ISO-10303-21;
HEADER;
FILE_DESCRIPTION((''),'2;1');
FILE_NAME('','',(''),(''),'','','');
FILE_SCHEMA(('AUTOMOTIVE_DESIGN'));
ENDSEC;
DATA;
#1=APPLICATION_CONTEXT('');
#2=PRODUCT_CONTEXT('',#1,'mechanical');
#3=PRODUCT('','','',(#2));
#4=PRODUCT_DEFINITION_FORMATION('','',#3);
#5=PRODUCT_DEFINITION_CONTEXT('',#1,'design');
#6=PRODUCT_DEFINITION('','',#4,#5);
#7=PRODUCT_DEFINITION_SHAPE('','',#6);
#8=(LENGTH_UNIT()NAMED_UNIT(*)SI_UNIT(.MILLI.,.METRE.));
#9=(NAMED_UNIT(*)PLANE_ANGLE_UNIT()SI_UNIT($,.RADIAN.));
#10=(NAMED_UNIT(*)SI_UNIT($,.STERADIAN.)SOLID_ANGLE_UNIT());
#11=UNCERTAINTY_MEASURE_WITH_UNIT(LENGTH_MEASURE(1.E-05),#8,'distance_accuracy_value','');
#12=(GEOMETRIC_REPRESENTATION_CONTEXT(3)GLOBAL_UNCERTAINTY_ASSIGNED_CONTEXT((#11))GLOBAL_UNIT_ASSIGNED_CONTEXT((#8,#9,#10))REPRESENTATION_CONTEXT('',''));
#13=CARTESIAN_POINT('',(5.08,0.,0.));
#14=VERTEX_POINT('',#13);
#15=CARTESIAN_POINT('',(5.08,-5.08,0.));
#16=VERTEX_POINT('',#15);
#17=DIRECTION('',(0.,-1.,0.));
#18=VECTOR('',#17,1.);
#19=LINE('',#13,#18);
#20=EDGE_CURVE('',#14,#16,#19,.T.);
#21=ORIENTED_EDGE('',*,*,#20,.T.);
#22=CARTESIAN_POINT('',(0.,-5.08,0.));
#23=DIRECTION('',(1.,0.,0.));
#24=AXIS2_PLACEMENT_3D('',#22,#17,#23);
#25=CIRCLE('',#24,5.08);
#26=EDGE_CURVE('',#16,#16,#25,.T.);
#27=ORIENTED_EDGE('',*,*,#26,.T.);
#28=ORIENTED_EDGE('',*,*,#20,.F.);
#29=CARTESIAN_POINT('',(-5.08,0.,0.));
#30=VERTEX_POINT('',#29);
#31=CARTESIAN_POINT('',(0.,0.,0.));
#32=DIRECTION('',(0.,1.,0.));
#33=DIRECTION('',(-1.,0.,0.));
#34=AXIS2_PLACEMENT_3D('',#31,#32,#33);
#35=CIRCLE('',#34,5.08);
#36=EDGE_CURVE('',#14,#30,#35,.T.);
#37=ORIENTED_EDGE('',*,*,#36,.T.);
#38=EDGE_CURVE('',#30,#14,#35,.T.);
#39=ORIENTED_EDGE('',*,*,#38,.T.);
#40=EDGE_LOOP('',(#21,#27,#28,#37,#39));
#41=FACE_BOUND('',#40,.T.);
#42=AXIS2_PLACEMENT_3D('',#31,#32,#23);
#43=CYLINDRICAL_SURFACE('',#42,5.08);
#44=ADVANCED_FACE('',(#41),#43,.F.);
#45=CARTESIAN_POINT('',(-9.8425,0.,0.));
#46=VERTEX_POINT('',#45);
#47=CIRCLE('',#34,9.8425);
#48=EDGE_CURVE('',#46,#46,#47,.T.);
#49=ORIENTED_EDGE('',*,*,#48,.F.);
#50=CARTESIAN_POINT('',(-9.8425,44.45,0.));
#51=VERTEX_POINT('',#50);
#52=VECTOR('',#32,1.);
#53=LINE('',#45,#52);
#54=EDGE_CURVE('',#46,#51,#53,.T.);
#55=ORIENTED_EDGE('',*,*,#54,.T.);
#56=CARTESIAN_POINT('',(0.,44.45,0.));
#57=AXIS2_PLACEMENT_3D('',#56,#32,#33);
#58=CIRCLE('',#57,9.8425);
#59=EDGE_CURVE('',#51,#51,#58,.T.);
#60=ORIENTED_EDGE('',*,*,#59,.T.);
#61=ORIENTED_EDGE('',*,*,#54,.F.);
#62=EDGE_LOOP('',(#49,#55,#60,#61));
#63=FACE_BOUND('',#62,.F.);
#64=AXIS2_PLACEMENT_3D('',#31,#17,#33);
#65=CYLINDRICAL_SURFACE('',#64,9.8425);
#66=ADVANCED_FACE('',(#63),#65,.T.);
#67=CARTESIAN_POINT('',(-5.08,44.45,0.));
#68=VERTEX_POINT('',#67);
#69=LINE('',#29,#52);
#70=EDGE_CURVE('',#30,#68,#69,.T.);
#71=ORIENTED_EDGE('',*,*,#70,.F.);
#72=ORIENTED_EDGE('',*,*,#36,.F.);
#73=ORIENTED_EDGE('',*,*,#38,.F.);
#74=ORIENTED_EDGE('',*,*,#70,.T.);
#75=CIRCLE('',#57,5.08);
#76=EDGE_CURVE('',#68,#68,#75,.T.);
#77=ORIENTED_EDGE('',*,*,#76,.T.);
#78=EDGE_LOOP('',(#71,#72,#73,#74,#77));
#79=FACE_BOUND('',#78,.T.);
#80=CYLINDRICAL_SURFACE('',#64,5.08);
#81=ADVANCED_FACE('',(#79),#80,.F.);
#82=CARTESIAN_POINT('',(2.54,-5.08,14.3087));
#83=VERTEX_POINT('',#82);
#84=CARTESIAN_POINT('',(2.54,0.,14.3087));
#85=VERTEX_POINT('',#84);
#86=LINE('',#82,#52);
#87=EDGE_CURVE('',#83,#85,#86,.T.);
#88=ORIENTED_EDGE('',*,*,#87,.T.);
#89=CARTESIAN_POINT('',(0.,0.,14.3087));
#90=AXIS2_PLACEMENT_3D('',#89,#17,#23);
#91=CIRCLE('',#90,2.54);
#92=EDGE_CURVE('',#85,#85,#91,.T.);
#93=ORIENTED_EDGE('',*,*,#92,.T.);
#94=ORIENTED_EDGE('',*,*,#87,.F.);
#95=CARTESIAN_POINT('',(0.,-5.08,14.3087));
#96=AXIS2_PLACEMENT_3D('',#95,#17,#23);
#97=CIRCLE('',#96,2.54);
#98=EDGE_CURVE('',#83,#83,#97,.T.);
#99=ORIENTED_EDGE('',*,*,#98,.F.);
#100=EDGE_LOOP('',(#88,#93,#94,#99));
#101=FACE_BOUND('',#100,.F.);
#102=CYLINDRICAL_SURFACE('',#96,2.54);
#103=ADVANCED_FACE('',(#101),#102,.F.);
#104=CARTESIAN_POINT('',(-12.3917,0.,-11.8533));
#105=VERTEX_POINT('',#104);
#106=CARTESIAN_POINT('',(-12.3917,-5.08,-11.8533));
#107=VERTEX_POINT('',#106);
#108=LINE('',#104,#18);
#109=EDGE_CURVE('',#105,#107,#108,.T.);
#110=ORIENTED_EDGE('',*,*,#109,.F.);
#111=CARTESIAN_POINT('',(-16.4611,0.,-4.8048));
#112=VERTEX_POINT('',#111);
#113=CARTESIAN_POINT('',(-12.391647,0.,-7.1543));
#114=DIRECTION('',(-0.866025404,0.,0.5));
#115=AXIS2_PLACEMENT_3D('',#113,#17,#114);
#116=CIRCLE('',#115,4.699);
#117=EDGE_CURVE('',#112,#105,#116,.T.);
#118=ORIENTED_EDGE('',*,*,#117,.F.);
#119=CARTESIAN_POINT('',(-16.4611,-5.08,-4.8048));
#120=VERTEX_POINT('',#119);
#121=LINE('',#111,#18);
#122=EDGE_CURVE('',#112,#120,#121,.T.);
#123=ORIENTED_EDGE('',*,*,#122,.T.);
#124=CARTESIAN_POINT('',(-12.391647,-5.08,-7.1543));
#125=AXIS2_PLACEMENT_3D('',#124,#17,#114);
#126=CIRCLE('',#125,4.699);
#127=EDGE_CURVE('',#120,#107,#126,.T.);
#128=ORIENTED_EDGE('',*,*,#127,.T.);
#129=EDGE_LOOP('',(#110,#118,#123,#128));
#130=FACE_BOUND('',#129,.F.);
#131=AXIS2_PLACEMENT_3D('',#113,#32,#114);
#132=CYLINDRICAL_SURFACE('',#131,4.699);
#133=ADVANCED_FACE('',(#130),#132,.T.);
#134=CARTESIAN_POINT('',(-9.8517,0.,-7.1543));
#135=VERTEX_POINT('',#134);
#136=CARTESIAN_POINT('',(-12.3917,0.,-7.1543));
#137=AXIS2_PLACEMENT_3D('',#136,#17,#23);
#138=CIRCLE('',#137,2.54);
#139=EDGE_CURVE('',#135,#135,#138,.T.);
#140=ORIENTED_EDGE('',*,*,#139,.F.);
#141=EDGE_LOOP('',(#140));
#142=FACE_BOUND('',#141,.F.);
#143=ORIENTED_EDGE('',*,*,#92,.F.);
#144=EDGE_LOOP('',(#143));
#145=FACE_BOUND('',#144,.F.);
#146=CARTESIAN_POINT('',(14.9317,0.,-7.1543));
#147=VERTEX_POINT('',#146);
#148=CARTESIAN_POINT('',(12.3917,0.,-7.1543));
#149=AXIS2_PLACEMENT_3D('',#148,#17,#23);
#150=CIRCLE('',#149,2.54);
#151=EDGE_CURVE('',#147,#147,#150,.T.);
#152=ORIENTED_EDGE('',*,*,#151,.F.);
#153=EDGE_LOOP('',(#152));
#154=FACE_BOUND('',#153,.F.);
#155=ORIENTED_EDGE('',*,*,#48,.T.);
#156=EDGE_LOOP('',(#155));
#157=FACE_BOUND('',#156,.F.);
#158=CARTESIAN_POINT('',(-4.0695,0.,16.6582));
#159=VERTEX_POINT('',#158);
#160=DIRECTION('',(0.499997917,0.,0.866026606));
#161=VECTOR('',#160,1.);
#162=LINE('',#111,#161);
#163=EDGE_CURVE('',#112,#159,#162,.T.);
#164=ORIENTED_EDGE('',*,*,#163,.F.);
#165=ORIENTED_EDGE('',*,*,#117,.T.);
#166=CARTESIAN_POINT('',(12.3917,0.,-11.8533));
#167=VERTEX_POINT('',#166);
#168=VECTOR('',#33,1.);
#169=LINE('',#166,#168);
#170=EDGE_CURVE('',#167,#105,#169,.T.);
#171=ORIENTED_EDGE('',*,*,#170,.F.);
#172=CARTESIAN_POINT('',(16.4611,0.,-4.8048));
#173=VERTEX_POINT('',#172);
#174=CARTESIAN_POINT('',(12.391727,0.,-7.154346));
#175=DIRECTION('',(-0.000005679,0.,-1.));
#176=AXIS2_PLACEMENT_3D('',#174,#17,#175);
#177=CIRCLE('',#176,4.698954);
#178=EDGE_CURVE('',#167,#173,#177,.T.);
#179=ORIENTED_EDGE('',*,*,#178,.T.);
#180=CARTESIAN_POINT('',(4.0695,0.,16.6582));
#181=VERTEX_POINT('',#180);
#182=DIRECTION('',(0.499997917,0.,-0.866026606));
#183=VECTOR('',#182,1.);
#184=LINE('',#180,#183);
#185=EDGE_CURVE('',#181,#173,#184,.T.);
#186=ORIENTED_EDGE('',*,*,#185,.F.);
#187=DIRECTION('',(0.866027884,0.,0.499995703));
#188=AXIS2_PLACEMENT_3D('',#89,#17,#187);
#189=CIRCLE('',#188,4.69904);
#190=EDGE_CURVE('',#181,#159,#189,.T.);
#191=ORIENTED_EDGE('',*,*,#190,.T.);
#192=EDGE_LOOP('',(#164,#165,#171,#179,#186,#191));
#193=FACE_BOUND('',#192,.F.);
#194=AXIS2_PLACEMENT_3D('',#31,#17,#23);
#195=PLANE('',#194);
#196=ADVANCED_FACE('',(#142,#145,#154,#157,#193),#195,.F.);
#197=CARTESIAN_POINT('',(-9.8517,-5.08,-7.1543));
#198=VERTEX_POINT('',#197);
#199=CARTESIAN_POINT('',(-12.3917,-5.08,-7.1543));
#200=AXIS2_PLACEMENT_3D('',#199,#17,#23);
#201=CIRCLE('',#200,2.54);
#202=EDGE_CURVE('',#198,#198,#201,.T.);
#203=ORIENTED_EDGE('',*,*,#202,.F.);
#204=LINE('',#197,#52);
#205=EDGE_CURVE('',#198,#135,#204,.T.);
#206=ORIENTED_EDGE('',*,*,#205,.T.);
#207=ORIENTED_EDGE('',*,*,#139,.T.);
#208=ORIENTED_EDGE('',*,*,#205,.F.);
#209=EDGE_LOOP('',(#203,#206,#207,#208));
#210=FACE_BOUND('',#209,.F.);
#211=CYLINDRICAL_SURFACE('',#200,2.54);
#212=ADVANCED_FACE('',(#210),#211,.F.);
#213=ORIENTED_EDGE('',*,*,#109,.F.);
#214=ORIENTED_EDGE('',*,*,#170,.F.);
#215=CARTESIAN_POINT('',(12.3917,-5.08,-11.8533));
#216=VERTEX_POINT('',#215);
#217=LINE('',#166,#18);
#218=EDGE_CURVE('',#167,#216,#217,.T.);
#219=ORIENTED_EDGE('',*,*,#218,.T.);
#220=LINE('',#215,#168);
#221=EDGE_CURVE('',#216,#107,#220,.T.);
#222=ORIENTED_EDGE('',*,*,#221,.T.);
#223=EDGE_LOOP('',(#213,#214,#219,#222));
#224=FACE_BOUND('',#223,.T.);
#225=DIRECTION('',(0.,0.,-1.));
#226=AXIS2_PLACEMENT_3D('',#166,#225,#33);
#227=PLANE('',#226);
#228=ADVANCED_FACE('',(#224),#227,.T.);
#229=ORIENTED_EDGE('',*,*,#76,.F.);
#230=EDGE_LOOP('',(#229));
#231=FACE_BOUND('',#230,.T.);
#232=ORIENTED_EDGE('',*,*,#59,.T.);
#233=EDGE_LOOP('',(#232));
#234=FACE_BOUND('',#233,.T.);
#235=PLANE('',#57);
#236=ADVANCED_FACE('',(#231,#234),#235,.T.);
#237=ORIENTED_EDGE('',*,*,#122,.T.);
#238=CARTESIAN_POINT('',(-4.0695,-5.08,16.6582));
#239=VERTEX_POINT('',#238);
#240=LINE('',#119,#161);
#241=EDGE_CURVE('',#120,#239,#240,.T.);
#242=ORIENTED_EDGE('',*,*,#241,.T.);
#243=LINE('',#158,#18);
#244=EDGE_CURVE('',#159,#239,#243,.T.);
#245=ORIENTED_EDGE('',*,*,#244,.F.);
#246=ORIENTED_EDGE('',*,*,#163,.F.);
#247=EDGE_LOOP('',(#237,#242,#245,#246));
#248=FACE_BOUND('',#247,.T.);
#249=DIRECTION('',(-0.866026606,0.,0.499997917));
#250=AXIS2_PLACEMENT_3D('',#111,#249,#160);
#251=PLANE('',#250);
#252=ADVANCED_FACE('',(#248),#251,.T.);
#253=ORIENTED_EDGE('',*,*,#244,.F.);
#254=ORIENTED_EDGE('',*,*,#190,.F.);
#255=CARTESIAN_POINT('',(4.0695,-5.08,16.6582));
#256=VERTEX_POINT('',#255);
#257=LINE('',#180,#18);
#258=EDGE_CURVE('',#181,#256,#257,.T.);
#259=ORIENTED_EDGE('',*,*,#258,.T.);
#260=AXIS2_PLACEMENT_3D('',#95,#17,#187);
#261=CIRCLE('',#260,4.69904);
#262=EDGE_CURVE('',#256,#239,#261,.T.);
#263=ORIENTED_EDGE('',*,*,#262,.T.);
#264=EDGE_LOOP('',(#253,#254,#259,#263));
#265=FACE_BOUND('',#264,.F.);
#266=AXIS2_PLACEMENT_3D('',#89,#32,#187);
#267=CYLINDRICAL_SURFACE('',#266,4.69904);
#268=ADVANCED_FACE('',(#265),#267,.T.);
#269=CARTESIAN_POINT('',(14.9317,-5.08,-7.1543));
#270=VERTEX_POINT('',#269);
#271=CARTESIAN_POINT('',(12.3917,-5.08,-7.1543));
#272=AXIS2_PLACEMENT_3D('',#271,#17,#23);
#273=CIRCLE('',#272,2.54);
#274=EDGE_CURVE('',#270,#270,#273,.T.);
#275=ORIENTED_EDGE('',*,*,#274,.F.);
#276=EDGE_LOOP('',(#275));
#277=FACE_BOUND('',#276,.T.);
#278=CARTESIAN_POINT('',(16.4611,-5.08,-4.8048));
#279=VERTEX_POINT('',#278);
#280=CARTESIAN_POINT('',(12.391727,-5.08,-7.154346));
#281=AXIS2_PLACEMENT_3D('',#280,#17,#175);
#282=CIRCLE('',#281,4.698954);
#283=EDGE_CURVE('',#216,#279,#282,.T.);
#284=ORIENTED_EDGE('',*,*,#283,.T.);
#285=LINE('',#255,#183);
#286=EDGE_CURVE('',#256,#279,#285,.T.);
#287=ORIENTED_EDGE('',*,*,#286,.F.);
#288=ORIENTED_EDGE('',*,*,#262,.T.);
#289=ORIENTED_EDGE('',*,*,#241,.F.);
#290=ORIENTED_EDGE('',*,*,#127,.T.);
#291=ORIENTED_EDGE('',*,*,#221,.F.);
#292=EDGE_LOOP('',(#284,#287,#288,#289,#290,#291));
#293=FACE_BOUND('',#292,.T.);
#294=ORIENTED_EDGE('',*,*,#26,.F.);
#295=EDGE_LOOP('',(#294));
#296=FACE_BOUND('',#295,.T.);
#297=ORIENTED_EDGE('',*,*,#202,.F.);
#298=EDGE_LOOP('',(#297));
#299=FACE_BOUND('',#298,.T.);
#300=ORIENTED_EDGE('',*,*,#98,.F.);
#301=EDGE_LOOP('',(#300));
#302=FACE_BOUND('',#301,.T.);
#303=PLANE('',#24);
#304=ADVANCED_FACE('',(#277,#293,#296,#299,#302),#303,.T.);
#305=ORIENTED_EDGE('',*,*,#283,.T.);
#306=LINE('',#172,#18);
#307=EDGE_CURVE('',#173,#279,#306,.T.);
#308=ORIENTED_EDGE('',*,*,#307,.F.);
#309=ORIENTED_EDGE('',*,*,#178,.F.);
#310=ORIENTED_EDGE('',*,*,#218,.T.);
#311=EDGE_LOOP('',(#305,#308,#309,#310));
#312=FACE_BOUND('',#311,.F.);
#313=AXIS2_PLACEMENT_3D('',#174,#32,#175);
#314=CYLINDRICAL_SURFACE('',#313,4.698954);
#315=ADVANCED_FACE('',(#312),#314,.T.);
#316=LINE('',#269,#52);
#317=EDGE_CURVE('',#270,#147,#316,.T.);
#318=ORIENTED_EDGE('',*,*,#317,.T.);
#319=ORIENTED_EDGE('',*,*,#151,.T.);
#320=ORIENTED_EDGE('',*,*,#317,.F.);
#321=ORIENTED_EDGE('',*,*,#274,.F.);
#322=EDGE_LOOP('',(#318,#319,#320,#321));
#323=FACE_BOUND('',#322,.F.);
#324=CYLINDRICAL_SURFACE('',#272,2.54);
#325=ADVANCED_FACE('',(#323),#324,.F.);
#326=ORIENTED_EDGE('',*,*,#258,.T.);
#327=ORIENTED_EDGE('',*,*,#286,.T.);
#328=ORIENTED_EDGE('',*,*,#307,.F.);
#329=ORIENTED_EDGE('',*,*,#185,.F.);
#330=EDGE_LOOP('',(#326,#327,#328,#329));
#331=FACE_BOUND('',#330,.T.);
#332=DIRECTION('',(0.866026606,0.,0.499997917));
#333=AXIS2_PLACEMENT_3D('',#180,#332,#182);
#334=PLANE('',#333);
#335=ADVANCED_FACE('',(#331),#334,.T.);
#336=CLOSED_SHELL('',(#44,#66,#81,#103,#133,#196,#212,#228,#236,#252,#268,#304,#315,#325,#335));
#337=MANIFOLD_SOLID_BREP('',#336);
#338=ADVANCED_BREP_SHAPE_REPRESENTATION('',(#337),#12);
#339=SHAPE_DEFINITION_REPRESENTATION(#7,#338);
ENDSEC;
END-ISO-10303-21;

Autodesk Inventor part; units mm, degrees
ref_plane "YZ Plane" through (0, 0, 0) normal (1, 0, 0) x (0, 1, 0)
ref_plane "XZ Plane" through (0, 0, 0) normal (0, 1, 0) x (-1, 0, 0)
ref_plane "XY Plane" through (0, 0, 0) normal (0, 0, 1) x (1, 0, 0)
sketch "Sketch1" plane through (0, 0, 0) normal (0, 1, 0) x (-1, 0, 0)
  circle A0 centre (0, 0) radius 9.8425
  circle A1 centre (0, 0) radius 5.08
  dimension "d0" = 19.685
  dimension "d1" = 10.16
extrude "Extrusion1" add sketch "Sketch1" along normal blind 44.45
sketch "Sketch2" plane through (0, 0, 0) normal (0, -1, 0) x (1, 0, 0)
  circle A0 centre (0, 0) radius 9.8425 projected
  line L0 (4.0695, 16.6582) -> (16.4611, -4.8048)
  line L1 (12.3917, -11.8533) -> (-12.3917, -11.8533)
  line L2 (-16.4611, -4.8048) -> (-4.0695, 16.6582)
  arc A1 (4.0695, 16.6582) -> (-4.0695, 16.6582) centre (0, 14.3087) ccw
  arc A2 (-16.4611, -4.8048) -> (-12.3917, -11.8533) centre (-12.3917, -7.1543) ccw
  arc A3 (12.3917, -11.8533) -> (16.4611, -4.8048) centre (12.3917, -7.1543) ccw
  circle A4 centre (0, 0) radius 5.08 projected
  circle A5 centre (0, 0) radius 5.08
  point P0 (0, 23.7067)
  point P1 (20.5306, -11.8533)
  point P2 (-20.5306, -11.8533)
  dimension "d4" = 35.56
  dimension "d5" = 35.56
  dimension "d6" = 4.699
  dimension "d7" = 4.699
  dimension "d8" = 4.699
extrude "Extrusion2" add sketch "Sketch2" along normal blind 5.08 contours A0 | L0 A3 L1 A2 L2 A1
sketch "Sketch3" plane through (0, -5.08, 0) normal (0, -1, 0) x (1, 0, 0)
  arc A0 (4.0695, 16.6582) -> (-4.0695, 16.6582) centre (0, 14.3087) ccw projected
  arc A1 (-16.4611, -4.8048) -> (-12.3917, -11.8533) centre (-12.3917, -7.1543) ccw projected
  arc A2 (12.3917, -11.8533) -> (16.4611, -4.8048) centre (12.3917, -7.1543) ccw projected
  circle A3 centre (0, 14.3087) radius 2.54
  circle A4 centre (12.3917, -7.1543) radius 2.54
  circle A5 centre (-12.3917, -7.1543) radius 2.54
  dimension "d11" = 5.08
  dimension "d12" = 5.08
  dimension "d13" = 5.08
extrude "Extrusion3" cut sketch "Sketch3" against normal blind 5.08
properties part number "ScrewShaft"
